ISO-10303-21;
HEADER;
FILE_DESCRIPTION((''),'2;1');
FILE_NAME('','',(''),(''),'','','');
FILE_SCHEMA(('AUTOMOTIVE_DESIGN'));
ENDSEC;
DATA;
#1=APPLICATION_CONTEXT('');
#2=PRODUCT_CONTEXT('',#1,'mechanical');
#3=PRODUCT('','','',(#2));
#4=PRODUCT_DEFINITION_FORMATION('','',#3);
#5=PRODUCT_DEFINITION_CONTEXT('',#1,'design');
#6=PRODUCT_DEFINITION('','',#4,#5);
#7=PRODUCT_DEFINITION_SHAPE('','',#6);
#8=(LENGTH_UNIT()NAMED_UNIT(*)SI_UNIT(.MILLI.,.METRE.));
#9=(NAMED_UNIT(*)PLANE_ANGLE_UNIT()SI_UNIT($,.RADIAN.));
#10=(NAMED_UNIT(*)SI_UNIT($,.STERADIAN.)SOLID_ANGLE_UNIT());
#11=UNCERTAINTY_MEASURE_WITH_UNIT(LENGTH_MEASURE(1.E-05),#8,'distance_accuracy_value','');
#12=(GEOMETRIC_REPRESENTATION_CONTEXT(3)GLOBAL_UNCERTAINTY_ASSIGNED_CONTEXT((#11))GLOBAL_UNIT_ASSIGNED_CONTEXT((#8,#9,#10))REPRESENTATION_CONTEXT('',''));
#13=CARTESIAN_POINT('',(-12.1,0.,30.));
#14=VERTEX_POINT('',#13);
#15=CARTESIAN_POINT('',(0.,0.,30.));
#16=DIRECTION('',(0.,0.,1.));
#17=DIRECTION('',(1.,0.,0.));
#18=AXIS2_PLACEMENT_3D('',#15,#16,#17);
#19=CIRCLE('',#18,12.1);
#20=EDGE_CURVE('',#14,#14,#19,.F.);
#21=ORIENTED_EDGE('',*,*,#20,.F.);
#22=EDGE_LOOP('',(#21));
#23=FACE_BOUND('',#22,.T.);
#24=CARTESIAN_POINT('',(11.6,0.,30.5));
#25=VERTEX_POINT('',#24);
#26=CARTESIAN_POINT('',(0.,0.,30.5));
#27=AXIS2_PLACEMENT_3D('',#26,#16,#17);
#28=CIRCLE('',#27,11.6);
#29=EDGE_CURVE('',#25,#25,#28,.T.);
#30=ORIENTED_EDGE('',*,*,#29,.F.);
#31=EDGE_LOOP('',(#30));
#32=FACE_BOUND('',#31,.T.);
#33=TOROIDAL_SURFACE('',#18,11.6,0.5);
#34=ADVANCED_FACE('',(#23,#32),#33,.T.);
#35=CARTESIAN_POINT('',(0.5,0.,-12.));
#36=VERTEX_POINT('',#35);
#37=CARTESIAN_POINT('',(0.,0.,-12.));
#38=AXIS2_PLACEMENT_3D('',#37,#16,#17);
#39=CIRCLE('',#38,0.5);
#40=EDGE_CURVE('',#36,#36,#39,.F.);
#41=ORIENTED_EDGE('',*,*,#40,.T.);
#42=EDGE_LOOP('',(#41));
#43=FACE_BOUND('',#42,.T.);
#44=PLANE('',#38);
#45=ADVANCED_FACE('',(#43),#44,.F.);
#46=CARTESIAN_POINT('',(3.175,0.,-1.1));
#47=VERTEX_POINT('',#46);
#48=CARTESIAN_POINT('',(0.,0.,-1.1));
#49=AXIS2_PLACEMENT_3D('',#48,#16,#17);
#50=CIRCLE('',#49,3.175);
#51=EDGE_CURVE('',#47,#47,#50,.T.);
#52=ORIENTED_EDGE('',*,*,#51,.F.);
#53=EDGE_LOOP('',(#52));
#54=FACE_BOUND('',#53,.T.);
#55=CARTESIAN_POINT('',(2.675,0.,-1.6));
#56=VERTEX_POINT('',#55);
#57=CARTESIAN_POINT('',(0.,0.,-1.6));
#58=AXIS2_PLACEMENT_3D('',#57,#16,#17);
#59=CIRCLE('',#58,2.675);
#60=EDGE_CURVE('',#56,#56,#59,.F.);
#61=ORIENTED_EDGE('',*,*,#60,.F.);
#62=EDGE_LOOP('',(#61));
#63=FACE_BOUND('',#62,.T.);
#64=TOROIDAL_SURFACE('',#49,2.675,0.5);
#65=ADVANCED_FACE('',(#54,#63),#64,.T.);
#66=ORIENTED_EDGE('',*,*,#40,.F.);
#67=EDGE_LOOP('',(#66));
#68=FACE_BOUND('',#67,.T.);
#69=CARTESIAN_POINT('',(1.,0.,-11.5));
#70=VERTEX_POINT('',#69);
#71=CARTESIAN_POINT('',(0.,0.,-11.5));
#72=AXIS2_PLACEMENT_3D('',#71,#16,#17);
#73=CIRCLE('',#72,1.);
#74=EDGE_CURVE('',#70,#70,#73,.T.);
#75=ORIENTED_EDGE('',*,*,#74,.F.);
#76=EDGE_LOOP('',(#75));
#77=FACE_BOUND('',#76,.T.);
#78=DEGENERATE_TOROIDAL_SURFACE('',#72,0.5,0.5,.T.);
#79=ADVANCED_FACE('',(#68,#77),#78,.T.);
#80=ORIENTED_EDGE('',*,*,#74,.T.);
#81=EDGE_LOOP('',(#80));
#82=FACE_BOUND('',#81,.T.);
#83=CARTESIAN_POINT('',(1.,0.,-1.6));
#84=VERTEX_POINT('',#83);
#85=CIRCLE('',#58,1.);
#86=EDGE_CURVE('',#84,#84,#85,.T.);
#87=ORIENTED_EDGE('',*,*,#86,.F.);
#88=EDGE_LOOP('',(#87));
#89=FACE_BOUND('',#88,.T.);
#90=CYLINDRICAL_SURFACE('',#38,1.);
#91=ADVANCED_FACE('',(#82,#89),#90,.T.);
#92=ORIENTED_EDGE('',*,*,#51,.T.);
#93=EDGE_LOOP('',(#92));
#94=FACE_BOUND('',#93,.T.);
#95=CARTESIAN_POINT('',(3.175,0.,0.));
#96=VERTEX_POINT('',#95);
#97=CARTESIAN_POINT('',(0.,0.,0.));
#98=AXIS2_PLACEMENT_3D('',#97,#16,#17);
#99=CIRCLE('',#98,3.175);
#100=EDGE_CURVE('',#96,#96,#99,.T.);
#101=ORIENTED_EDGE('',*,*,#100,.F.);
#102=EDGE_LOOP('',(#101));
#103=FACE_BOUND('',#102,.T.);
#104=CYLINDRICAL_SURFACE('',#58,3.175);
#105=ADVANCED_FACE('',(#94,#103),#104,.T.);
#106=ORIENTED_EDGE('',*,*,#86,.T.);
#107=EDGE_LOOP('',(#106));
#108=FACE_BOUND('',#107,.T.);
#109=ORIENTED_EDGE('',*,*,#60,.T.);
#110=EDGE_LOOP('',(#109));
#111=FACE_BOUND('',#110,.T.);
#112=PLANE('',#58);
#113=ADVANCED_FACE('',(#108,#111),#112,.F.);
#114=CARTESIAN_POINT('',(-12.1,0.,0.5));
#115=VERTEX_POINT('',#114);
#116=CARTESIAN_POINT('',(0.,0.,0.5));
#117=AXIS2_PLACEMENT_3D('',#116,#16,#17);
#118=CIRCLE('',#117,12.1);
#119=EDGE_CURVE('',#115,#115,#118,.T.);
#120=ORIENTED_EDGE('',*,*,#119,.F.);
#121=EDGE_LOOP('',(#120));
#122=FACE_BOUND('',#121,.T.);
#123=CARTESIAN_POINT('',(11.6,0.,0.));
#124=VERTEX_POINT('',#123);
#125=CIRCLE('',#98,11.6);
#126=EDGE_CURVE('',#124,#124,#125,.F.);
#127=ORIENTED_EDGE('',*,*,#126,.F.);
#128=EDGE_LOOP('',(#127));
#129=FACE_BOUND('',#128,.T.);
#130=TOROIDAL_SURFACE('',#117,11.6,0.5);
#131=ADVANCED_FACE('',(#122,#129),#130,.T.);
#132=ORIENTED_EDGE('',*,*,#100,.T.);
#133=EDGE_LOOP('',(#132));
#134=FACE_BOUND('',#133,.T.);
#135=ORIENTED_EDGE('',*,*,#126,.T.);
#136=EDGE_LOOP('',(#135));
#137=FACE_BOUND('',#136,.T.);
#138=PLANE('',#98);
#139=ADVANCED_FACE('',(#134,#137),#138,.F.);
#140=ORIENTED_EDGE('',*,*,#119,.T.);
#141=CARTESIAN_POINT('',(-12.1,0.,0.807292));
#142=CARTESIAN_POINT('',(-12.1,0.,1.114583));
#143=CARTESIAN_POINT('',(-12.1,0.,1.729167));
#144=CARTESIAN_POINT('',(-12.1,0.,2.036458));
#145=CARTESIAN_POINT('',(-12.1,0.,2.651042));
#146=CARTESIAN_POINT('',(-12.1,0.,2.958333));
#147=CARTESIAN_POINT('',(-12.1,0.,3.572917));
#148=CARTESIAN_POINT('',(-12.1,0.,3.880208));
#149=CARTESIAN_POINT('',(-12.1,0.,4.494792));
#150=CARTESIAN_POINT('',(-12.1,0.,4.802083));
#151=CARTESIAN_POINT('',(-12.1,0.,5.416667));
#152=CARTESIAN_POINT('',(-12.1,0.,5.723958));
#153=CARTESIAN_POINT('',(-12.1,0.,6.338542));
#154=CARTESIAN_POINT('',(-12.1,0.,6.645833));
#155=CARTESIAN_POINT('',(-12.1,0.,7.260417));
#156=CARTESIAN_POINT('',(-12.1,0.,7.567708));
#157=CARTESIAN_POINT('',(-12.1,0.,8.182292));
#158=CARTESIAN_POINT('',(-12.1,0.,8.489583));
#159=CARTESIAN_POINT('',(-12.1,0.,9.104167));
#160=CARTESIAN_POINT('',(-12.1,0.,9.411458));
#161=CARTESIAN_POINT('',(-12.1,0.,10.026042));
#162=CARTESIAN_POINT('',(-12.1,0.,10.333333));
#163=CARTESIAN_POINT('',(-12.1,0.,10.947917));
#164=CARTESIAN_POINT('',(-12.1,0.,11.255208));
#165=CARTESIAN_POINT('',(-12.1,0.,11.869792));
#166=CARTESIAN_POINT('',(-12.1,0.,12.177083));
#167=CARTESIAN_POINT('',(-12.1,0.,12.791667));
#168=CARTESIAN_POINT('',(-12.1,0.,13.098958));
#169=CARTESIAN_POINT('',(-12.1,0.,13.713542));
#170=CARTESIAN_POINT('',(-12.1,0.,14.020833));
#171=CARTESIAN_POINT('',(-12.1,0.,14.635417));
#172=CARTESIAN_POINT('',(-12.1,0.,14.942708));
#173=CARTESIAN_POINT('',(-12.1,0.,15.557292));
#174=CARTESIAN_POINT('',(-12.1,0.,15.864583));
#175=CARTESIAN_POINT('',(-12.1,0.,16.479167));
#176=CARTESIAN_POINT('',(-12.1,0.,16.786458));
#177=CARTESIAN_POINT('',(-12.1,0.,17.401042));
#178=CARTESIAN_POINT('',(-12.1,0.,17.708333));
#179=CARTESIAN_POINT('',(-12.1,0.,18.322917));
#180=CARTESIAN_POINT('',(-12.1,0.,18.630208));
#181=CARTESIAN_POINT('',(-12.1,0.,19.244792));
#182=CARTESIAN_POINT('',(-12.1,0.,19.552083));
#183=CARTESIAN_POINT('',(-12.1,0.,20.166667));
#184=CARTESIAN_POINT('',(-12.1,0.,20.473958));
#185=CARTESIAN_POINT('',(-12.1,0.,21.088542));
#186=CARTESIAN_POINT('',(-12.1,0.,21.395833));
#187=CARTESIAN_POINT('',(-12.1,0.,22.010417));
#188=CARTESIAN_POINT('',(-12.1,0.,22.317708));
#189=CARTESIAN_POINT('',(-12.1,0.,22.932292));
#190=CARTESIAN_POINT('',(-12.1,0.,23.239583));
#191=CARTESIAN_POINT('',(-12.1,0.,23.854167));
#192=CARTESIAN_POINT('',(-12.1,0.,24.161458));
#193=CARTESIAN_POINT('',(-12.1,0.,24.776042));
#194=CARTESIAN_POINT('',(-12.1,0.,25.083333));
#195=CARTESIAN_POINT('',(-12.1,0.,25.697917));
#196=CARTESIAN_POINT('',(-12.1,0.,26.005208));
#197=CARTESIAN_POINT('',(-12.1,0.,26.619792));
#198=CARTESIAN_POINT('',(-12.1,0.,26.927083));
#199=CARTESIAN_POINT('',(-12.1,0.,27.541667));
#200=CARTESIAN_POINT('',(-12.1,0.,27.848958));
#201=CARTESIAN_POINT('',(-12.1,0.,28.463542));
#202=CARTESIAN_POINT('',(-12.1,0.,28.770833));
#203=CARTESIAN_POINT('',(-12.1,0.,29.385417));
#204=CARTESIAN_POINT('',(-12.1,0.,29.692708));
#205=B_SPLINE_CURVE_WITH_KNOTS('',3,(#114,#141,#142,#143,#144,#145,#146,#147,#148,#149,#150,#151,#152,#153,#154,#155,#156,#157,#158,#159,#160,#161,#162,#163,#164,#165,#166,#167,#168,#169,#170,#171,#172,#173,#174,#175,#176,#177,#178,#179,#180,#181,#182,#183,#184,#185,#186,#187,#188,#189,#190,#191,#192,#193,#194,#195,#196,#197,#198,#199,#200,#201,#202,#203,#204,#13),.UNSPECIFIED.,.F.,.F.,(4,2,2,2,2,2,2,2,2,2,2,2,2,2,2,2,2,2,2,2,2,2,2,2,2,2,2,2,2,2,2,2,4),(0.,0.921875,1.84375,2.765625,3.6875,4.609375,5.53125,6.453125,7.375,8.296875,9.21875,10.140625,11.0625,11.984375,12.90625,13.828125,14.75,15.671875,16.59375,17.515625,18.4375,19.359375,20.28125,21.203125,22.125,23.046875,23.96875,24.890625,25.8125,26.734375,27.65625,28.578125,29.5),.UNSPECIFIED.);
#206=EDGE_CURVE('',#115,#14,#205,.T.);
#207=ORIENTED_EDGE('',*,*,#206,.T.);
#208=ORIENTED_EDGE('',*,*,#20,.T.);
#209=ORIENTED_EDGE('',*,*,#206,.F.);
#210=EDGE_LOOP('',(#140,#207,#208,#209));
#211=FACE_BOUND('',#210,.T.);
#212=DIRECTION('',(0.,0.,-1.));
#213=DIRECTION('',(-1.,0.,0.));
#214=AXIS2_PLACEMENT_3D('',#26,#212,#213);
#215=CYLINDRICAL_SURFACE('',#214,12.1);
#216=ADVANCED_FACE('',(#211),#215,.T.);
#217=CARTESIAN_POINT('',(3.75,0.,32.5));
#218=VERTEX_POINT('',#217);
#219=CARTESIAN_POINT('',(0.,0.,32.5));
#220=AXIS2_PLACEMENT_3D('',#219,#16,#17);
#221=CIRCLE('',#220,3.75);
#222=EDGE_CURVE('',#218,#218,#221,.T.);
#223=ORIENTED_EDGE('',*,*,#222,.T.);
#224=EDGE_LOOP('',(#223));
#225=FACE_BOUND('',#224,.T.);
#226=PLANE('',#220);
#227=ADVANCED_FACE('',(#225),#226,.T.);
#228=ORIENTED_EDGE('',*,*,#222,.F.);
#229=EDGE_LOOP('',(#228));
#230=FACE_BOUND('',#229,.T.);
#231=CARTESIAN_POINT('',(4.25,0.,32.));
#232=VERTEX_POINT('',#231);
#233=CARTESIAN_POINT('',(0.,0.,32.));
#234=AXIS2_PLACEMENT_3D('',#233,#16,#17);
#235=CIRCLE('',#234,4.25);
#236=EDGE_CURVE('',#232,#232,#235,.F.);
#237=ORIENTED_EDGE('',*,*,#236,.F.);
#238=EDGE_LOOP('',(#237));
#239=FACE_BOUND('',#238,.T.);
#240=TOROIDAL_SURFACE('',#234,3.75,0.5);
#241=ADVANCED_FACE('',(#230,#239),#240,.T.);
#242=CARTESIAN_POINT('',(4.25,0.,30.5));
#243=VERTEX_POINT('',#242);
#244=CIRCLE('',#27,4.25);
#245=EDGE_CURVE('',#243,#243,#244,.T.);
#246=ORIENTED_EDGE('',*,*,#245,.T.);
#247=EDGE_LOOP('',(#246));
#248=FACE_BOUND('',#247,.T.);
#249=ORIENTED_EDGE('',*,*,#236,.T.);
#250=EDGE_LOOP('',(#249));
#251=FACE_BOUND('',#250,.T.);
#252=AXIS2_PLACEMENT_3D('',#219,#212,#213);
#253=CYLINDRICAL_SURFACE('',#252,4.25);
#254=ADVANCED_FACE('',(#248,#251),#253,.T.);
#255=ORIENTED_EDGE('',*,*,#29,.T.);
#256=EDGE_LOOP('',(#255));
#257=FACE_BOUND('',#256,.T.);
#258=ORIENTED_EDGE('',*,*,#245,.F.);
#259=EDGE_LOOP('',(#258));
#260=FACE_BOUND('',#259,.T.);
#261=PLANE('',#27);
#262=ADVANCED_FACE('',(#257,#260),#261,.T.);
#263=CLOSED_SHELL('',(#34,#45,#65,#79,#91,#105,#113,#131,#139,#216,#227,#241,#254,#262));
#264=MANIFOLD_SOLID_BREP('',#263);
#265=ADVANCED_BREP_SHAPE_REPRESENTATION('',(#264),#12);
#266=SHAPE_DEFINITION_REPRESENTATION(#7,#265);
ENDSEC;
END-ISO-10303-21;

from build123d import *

# Parameters (mm, degrees)
SKETCH1_R           = 12.1
BOSS_EXTRUDE1_DEPTH = 30.5
SKETCH1_3_R         = 1
BOSS_EXTRUDE2_DEPTH = 12
SKETCH1_4_R         = 3.175
SKETCH1_4_R_2       = 1
BOSS_EXTRUDE3_DEPTH = 1.6
SKETCH2_R           = 4.25
BOSS_EXTRUDE4_DEPTH = 2
FILLET1_R           = 0.5


with BuildPart() as part:
    # Sketch1 → Boss-Extrude1 (new body)
    with BuildSketch(Plane.XY):
        Circle(SKETCH1_R)
    extrude(amount=BOSS_EXTRUDE1_DEPTH)

    # Sketch1<3> → Boss-Extrude2 (add)
    with BuildSketch(Plane.XY):
        Circle(SKETCH1_3_R)
    extrude(amount=-BOSS_EXTRUDE2_DEPTH)

    # Sketch1<4> → Boss-Extrude3 (add)
    with BuildSketch(Plane.XY):
        Circle(SKETCH1_4_R)
        Circle(SKETCH1_4_R_2, mode=Mode.SUBTRACT)
    extrude(amount=-BOSS_EXTRUDE3_DEPTH)

    # Sketch2 → Boss-Extrude4 (add)
    with BuildSketch(Plane.XY.offset(30.5)):
        Circle(SKETCH2_R)
    extrude(amount=BOSS_EXTRUDE4_DEPTH)

    # Fillet1
    fillet1_edges = [part.edges().sort_by_distance(p)[0] for p in [
        (-1, 0, -12),
        (-3.175, 0, -1.6),
        (-12.1, 0, 0),
        (-4.25, 0, 32.5),
        (-12.1, 0, 30.5),
    ]]
    fillet(fillet1_edges, radius=FILLET1_R)


solid = part.part
